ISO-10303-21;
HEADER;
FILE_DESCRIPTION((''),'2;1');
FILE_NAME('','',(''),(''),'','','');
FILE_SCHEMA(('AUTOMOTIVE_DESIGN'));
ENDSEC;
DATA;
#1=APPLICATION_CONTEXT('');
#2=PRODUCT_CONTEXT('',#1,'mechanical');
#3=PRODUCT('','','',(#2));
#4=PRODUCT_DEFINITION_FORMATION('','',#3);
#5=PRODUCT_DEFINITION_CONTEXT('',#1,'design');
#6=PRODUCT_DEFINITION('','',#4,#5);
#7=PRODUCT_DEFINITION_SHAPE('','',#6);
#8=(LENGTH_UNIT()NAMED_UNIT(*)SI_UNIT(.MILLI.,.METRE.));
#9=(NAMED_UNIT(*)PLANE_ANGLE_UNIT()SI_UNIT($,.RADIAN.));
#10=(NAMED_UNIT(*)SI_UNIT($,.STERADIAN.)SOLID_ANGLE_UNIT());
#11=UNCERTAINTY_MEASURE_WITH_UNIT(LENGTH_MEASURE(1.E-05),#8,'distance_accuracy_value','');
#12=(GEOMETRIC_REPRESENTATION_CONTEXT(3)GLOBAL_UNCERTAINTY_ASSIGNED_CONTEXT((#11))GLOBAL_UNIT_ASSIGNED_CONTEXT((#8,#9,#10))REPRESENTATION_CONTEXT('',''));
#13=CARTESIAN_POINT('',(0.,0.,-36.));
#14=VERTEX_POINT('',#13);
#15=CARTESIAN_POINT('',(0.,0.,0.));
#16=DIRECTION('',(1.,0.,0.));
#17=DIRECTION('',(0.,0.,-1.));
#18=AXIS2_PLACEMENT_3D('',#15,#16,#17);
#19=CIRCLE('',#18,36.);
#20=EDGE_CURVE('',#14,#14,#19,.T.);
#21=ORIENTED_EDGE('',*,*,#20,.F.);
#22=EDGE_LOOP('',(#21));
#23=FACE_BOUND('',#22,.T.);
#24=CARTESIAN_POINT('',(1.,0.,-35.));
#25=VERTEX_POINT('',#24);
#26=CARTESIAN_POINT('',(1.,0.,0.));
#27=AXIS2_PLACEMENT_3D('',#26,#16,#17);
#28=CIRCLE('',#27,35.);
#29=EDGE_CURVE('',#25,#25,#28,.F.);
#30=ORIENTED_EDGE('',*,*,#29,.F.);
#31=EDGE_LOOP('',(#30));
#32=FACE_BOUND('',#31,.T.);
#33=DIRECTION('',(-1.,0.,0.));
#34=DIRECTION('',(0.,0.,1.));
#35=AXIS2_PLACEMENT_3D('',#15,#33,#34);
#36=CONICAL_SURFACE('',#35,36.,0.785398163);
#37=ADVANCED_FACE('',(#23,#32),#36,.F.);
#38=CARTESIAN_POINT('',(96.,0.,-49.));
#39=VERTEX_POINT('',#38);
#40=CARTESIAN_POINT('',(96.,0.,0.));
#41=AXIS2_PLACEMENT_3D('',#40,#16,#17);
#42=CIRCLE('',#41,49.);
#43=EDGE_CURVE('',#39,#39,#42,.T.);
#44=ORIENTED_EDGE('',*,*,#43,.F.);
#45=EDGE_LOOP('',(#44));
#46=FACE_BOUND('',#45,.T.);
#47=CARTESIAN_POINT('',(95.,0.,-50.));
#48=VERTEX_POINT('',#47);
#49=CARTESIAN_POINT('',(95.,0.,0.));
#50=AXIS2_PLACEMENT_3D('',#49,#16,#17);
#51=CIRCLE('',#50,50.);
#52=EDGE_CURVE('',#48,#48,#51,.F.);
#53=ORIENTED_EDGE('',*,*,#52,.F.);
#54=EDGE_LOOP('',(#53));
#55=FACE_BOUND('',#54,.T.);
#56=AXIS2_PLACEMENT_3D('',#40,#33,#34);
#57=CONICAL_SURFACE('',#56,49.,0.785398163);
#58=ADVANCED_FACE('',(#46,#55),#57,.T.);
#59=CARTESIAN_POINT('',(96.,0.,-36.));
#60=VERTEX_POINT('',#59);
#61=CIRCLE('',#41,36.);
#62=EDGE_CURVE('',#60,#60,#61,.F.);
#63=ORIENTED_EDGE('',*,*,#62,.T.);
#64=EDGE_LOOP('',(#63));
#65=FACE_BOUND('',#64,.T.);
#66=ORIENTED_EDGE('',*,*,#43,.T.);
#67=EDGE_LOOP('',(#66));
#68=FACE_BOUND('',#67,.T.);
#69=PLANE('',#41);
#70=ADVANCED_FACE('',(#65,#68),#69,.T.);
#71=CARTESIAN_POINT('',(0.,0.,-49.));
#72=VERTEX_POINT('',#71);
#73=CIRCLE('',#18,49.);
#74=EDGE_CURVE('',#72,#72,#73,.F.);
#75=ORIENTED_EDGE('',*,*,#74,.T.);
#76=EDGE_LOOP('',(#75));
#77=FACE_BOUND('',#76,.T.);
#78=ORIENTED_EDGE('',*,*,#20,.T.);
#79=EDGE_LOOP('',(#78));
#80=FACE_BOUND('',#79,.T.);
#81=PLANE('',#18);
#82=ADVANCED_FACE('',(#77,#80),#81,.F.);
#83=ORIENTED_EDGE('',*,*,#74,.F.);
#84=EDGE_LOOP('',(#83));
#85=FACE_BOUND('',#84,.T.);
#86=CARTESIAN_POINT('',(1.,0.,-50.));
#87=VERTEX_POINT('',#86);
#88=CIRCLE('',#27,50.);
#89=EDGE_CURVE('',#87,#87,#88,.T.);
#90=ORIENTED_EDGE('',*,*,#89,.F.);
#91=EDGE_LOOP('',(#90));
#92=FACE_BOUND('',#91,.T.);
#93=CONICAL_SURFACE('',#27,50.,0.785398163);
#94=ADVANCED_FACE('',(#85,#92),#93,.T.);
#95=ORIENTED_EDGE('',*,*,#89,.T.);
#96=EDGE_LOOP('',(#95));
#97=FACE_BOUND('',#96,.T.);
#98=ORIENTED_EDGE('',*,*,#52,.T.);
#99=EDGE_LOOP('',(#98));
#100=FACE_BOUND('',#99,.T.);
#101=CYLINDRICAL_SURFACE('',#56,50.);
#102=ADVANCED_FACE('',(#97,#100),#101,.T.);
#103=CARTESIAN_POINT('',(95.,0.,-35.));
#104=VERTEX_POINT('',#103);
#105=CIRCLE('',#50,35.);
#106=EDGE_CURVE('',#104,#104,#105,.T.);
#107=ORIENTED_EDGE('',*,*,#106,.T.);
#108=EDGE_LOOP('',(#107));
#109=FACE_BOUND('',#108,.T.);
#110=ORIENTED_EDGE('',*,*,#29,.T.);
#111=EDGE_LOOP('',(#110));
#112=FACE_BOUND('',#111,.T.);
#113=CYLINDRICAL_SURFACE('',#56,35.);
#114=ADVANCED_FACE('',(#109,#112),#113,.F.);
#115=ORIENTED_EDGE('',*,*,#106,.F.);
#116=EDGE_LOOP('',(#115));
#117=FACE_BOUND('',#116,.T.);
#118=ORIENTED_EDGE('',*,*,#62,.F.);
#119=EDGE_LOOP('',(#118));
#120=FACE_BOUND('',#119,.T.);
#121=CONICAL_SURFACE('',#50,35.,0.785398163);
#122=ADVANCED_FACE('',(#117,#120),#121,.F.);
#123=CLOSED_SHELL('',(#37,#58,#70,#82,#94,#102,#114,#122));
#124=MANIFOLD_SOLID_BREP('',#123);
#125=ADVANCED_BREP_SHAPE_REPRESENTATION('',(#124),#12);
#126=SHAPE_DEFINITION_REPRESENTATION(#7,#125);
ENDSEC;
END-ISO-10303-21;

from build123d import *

# Parameters (mm, degrees)
SKETCH_1_R      = 50
SKETCH_1_R_2    = 35
EXTRUDE_1_DEPTH = 96
CHAMFER_1_SIZE  = 1


with BuildPart() as part:
    # 草图1 → 凸台-拉伸1 (new body)
    with BuildSketch(Plane(origin=(0, 0, 0), x_dir=(0, 0, -1), z_dir=(1, 0, 0))):
        Circle(SKETCH_1_R)
        Circle(SKETCH_1_R_2, mode=Mode.SUBTRACT)
    extrude(amount=EXTRUDE_1_DEPTH)

    # 倒角1
    chamfer_1_edges = [part.edges().sort_by_distance(p)[0] for p in [
        (0, 0, 50),
        (96, 0, 50),
        (0, 0, 35),
        (96, 0, 35),
    ]]
    chamfer(chamfer_1_edges, length=CHAMFER_1_SIZE)


solid = part.part
